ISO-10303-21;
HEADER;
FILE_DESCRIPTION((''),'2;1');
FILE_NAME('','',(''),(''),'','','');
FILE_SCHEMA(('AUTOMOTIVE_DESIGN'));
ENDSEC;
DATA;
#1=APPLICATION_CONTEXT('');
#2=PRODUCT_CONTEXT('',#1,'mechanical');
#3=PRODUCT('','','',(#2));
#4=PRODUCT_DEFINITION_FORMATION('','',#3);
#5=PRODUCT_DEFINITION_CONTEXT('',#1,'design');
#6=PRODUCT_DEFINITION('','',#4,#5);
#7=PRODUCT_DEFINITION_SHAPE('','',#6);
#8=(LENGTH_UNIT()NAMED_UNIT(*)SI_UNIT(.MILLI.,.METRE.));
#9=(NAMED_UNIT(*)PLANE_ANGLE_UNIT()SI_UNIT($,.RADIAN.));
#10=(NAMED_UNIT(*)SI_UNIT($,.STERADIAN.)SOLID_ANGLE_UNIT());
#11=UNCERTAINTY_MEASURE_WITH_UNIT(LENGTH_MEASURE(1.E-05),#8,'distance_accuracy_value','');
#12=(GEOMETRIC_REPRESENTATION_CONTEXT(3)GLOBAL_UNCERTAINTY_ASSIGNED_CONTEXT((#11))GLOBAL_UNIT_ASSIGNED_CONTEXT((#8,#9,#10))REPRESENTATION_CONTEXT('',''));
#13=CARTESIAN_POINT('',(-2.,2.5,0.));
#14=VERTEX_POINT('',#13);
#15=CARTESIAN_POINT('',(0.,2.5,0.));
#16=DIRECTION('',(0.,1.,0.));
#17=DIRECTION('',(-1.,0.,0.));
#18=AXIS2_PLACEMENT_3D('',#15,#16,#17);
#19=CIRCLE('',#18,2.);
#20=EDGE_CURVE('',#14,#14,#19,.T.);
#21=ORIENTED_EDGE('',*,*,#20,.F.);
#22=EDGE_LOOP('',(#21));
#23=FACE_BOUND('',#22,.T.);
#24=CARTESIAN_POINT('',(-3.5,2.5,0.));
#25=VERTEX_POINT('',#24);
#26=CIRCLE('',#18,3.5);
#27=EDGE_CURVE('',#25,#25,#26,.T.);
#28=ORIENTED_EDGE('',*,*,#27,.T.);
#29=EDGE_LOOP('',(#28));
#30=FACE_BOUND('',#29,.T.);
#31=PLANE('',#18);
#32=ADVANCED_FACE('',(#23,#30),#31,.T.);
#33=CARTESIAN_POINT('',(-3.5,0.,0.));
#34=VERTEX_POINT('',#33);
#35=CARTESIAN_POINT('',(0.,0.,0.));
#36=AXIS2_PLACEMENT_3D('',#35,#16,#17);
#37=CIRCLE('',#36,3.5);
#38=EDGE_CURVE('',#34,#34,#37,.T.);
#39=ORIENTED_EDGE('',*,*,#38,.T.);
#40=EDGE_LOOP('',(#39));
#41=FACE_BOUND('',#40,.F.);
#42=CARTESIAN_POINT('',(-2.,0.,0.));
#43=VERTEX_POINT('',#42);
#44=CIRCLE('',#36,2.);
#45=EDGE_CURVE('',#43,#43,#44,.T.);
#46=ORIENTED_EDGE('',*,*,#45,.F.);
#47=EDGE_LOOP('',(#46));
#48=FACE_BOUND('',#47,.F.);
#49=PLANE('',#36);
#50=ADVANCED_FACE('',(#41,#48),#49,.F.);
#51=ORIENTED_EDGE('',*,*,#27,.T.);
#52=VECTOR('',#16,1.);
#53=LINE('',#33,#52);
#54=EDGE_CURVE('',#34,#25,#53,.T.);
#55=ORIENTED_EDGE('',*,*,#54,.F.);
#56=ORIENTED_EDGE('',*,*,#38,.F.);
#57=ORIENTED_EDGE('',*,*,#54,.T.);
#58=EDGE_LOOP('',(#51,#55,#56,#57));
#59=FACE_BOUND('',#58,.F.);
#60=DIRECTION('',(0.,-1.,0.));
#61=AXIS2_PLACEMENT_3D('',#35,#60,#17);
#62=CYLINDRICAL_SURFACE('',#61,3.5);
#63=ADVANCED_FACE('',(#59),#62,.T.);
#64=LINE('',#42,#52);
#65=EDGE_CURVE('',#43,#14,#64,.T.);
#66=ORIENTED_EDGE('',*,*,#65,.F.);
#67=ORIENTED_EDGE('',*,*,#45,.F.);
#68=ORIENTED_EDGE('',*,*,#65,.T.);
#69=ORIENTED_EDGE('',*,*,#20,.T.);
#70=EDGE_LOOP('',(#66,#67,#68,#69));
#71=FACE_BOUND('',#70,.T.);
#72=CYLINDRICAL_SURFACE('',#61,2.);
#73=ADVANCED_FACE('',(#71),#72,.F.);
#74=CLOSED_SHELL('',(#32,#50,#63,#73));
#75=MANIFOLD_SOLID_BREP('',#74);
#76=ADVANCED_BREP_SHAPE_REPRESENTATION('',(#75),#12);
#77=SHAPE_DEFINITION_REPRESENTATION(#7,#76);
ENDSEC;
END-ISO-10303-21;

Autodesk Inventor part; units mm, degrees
ref_plane "YZ Plane" through (0, 0, 0) normal (1, 0, 0) x (0, 1, 0)
ref_plane "XZ Plane" through (0, 0, 0) normal (0, 1, 0) x (-1, 0, 0)
ref_plane "XY Plane" through (0, 0, 0) normal (0, 0, 1) x (1, 0, 0)
sketch "Sketch1" plane through (0, 0, 0) normal (0, 1, 0) x (-1, 0, 0)
  circle A0 centre (0, 0) radius 2
  circle A1 centre (0, 0) radius 3.5
  dimension "d0" = 4
  dimension "d1" = 7
extrude "Extrusion1" add sketch "Sketch1" along normal blind 2.5
properties part number "Bearing_4_7_2.5mm"
